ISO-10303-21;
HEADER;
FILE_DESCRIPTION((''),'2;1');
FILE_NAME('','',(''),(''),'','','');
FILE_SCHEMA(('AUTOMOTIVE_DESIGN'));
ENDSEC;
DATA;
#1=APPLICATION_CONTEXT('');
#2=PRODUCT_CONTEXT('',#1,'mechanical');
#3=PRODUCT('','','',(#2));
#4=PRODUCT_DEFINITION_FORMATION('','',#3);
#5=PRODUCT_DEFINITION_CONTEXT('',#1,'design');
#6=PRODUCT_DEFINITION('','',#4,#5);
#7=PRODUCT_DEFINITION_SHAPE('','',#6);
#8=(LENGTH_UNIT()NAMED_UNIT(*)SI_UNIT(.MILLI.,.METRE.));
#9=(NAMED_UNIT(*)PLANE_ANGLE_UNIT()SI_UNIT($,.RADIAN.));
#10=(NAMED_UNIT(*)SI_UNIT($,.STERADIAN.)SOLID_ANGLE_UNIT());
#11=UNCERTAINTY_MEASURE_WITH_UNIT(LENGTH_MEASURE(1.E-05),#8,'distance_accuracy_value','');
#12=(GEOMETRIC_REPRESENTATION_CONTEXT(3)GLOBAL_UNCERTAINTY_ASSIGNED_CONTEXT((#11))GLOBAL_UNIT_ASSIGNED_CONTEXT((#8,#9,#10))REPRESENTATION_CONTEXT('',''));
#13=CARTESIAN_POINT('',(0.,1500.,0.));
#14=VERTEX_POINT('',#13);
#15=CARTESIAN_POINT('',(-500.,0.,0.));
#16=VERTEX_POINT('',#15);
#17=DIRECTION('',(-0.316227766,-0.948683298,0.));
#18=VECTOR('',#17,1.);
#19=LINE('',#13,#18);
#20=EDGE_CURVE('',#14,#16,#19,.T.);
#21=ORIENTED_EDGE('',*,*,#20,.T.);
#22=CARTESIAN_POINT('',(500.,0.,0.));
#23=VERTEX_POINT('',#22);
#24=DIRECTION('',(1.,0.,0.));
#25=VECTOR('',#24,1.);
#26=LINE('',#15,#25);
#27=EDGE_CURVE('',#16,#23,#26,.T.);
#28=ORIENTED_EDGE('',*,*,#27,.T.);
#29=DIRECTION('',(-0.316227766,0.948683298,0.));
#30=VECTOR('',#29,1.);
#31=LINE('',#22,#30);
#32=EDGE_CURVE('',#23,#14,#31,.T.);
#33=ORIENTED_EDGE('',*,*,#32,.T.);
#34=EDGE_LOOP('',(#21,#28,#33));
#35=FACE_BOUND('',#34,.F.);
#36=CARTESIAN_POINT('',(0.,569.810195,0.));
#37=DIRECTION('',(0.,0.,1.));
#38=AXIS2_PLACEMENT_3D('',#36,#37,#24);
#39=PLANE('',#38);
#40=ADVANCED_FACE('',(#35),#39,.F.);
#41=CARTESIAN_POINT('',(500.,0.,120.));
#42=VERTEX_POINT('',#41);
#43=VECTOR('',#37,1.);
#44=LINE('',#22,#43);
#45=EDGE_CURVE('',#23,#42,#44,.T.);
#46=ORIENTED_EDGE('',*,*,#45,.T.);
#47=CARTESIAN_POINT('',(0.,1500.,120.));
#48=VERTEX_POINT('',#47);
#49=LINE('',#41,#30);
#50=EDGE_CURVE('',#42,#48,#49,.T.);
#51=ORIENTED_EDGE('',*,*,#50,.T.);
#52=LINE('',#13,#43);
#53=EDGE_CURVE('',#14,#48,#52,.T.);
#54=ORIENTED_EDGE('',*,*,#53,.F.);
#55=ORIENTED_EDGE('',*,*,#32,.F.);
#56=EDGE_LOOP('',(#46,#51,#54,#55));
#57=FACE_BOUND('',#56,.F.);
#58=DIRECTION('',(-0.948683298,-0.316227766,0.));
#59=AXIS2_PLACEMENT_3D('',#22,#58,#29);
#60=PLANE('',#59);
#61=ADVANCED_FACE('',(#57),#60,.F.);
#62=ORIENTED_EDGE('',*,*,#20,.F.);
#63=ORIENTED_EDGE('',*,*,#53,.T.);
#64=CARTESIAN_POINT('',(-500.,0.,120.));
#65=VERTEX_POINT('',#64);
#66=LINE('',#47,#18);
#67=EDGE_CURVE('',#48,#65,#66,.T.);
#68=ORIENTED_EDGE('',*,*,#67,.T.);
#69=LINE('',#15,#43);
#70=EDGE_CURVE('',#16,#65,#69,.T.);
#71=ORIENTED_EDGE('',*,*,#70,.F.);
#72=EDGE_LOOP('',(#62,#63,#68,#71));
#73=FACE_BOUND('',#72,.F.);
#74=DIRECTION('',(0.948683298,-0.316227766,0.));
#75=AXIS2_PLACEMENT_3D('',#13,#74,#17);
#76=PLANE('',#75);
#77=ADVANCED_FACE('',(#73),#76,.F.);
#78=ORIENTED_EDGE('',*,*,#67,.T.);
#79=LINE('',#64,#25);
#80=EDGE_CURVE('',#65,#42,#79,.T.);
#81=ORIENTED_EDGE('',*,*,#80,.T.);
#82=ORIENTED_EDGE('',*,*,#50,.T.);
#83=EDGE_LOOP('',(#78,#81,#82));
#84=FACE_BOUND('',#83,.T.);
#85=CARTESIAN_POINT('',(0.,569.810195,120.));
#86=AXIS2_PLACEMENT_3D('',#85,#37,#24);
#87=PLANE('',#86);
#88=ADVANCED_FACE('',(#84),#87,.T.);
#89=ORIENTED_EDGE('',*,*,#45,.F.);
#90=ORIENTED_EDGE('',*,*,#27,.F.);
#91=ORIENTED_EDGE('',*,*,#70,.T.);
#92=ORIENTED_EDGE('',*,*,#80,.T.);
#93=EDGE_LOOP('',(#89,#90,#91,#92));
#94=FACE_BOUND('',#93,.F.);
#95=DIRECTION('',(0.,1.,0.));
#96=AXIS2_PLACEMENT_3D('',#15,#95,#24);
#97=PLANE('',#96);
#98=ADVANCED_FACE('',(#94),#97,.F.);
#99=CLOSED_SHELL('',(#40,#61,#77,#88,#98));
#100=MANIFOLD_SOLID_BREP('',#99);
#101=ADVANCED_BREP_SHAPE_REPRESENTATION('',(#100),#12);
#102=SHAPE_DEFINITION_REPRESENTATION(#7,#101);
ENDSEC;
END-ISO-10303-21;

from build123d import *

# Parameters (mm, degrees)
PAD_DEPTH = 120


with BuildPart() as part:
    # Sketch → Pad (new body)
    with BuildSketch(Plane.XY):
        Polygon((0, 0), (500, 0), (0, 1500), (-500, 0), align=None)
    extrude(amount=PAD_DEPTH)


solid = part.part
